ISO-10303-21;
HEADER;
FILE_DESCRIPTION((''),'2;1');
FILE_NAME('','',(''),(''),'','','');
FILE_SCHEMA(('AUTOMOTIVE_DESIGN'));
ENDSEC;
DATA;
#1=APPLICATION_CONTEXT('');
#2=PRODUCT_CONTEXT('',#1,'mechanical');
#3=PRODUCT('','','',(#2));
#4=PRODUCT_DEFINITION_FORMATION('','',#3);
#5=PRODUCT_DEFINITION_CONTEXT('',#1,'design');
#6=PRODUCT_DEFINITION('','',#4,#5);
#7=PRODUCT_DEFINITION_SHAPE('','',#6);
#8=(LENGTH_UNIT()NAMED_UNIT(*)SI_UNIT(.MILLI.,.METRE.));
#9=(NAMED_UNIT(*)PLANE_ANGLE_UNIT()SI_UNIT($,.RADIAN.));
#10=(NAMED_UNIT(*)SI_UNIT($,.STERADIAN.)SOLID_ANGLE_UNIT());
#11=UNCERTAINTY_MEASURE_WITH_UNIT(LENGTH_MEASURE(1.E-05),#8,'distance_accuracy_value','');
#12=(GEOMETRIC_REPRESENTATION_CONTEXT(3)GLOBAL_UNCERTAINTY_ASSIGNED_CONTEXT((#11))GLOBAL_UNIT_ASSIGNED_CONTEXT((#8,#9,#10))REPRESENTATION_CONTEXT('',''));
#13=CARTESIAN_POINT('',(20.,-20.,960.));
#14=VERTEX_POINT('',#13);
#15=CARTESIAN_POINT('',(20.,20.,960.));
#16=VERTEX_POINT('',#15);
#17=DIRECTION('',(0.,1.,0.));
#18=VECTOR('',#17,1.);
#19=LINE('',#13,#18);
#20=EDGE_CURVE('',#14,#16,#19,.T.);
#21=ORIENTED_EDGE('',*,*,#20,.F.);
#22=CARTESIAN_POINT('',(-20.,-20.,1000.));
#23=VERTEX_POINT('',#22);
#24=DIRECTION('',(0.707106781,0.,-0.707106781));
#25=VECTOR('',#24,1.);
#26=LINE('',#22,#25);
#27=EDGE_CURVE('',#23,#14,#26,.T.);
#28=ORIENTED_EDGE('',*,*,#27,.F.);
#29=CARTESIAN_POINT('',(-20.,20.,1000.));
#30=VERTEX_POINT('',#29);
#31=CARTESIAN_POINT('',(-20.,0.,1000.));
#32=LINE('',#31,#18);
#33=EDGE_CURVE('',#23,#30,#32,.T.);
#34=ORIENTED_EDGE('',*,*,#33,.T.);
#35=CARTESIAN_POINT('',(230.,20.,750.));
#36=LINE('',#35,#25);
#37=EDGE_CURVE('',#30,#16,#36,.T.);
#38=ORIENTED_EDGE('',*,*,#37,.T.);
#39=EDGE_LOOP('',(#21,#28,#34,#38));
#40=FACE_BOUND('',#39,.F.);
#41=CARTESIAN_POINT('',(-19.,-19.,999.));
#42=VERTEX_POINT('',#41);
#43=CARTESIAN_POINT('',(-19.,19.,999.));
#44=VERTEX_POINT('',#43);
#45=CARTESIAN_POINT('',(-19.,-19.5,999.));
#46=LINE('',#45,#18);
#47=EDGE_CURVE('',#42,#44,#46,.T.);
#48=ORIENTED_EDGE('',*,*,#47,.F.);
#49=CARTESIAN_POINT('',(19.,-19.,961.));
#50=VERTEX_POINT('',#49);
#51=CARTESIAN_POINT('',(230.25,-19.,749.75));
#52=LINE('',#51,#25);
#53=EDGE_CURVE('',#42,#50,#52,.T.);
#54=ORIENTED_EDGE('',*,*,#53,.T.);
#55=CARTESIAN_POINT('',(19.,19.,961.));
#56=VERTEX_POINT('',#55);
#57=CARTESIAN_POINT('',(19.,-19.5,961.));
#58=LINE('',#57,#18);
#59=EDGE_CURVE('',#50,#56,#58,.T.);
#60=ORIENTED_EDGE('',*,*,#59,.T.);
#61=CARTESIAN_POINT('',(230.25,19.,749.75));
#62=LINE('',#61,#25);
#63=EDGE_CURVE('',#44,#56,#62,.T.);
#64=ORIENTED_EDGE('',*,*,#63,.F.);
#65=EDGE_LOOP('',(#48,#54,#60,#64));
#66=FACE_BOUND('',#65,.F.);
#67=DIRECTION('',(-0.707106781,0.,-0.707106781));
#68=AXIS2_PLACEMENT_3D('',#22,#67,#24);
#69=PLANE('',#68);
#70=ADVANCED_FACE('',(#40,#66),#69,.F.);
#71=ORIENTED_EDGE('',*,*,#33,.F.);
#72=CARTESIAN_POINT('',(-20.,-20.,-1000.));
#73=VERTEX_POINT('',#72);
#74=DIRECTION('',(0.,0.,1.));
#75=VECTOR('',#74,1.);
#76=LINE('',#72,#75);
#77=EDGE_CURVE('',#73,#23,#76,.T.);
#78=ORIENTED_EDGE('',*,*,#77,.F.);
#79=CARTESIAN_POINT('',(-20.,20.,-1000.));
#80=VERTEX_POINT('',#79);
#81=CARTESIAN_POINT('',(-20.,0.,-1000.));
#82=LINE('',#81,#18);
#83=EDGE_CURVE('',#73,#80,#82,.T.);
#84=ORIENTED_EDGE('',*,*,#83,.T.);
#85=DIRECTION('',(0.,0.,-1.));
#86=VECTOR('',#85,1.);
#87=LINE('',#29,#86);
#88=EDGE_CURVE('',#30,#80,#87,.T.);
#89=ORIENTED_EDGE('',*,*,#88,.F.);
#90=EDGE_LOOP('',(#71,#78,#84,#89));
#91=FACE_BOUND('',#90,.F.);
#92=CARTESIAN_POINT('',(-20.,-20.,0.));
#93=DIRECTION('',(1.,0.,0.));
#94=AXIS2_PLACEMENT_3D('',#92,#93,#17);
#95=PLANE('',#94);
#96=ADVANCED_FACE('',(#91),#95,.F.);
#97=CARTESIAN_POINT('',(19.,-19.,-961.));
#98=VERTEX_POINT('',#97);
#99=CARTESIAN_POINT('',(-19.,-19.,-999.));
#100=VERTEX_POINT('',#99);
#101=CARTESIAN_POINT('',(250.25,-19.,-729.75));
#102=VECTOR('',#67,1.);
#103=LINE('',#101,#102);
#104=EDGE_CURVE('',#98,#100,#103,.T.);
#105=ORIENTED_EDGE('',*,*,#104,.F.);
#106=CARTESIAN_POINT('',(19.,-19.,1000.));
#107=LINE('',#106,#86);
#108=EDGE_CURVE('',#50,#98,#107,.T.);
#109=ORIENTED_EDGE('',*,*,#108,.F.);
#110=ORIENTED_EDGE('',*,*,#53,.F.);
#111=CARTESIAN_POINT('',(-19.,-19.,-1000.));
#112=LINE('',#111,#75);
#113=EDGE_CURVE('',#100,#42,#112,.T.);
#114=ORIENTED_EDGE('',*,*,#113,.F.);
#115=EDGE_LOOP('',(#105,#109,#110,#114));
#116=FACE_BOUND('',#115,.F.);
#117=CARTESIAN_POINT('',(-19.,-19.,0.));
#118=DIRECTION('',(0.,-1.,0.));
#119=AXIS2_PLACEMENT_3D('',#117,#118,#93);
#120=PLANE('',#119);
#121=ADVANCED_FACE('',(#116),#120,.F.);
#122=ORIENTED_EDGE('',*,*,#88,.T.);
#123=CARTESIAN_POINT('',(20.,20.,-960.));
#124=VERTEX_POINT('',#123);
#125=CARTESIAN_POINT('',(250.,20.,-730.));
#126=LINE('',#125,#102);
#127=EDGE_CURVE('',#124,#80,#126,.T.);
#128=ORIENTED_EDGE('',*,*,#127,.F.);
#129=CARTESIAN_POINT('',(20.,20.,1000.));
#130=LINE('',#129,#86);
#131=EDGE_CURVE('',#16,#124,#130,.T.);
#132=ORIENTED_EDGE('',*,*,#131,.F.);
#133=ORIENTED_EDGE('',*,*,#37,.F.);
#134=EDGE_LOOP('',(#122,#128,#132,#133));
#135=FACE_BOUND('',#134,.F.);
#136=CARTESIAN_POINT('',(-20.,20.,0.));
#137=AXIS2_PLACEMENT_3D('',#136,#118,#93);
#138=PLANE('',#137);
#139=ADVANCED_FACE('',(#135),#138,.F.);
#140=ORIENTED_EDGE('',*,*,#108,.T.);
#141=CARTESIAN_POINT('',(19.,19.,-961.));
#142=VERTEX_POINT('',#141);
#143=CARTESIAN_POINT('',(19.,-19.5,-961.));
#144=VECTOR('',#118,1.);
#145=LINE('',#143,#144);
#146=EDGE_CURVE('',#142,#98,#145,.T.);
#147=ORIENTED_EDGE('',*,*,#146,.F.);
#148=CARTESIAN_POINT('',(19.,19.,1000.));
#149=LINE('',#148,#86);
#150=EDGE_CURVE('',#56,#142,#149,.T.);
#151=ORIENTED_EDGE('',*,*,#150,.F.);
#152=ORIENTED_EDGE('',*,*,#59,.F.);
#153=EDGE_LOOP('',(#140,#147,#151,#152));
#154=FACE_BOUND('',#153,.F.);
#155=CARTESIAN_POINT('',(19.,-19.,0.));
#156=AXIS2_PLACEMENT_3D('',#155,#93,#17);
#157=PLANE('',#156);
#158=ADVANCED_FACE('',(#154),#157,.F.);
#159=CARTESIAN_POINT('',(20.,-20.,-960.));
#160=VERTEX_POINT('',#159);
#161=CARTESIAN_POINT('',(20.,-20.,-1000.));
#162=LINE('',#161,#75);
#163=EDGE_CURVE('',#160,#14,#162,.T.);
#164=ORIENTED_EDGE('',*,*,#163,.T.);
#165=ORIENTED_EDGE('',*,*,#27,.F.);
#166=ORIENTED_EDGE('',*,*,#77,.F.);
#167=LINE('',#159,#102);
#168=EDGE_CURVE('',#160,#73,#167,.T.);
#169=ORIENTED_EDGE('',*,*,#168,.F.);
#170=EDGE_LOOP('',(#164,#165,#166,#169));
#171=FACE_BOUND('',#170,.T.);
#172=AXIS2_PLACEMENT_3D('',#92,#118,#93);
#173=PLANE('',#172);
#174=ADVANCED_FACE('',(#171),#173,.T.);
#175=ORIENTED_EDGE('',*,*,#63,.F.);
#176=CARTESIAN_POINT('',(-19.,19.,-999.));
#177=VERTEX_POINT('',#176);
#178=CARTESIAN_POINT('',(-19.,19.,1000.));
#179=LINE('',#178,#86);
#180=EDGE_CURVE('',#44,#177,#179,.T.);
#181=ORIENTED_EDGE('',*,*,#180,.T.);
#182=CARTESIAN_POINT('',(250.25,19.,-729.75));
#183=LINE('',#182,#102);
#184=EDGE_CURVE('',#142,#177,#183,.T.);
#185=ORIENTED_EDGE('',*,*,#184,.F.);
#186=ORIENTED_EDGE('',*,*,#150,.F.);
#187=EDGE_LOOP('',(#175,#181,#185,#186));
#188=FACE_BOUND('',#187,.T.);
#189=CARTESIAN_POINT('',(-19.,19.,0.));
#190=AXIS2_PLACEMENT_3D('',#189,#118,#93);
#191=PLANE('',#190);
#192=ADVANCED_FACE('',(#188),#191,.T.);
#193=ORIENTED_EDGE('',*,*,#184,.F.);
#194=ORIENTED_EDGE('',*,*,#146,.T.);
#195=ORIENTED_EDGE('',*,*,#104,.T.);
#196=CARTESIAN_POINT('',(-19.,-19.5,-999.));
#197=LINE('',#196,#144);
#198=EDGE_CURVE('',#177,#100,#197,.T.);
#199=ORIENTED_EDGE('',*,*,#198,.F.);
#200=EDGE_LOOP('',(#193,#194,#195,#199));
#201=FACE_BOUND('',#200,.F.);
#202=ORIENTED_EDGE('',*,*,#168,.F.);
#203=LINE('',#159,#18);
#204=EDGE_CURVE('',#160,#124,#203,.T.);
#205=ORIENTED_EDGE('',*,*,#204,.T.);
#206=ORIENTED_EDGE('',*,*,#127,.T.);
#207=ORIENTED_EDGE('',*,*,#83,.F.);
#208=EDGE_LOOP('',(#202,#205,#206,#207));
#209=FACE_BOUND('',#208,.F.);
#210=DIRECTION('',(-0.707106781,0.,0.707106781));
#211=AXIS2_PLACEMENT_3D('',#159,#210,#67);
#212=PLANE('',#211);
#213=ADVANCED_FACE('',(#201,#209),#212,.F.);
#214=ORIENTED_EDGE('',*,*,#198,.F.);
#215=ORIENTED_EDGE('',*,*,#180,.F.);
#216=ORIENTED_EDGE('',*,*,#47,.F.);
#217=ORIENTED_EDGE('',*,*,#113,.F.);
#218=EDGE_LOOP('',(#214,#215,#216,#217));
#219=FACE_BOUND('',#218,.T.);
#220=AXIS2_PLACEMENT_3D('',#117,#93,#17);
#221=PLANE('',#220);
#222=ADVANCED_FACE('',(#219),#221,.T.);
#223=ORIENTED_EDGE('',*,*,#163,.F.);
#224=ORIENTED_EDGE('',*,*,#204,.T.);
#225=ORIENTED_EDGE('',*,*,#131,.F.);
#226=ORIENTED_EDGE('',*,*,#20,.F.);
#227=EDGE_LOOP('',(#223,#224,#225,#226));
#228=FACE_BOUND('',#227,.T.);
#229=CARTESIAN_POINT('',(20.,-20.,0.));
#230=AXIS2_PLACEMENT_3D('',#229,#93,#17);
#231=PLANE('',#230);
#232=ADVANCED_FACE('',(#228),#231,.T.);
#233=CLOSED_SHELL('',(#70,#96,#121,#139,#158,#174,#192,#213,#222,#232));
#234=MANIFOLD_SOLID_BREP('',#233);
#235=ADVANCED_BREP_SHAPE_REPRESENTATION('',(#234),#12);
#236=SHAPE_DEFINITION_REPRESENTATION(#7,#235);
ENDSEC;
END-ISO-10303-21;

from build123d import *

# Parameters (mm, degrees)
F0_W     = 40
F0_H     = 40
F0_W_2   = 38
F0_H_2   = 38
F1_DEPTH = 1000
F3_DEPTH = 100


with BuildPart() as f1:
    # F0 (on Top) → F1 (new body, symmetric)
    with BuildSketch(Plane.XY):
        Rectangle(F0_W, F0_H)
        Rectangle(F0_W_2, F0_H_2, mode=Mode.SUBTRACT)
    extrude(amount=F1_DEPTH, both=True)

    # F2 (on face) → F3 (cut)
    with BuildSketch(Plane.XZ.offset(20)):
        Polygon((20, -960), (-20, -1000), (20, -1000), align=None)
        Polygon((20, 1000), (-20, 1000), (20, 960), align=None)
    extrude(amount=-F3_DEPTH, mode=Mode.SUBTRACT)


solid = f1.part
